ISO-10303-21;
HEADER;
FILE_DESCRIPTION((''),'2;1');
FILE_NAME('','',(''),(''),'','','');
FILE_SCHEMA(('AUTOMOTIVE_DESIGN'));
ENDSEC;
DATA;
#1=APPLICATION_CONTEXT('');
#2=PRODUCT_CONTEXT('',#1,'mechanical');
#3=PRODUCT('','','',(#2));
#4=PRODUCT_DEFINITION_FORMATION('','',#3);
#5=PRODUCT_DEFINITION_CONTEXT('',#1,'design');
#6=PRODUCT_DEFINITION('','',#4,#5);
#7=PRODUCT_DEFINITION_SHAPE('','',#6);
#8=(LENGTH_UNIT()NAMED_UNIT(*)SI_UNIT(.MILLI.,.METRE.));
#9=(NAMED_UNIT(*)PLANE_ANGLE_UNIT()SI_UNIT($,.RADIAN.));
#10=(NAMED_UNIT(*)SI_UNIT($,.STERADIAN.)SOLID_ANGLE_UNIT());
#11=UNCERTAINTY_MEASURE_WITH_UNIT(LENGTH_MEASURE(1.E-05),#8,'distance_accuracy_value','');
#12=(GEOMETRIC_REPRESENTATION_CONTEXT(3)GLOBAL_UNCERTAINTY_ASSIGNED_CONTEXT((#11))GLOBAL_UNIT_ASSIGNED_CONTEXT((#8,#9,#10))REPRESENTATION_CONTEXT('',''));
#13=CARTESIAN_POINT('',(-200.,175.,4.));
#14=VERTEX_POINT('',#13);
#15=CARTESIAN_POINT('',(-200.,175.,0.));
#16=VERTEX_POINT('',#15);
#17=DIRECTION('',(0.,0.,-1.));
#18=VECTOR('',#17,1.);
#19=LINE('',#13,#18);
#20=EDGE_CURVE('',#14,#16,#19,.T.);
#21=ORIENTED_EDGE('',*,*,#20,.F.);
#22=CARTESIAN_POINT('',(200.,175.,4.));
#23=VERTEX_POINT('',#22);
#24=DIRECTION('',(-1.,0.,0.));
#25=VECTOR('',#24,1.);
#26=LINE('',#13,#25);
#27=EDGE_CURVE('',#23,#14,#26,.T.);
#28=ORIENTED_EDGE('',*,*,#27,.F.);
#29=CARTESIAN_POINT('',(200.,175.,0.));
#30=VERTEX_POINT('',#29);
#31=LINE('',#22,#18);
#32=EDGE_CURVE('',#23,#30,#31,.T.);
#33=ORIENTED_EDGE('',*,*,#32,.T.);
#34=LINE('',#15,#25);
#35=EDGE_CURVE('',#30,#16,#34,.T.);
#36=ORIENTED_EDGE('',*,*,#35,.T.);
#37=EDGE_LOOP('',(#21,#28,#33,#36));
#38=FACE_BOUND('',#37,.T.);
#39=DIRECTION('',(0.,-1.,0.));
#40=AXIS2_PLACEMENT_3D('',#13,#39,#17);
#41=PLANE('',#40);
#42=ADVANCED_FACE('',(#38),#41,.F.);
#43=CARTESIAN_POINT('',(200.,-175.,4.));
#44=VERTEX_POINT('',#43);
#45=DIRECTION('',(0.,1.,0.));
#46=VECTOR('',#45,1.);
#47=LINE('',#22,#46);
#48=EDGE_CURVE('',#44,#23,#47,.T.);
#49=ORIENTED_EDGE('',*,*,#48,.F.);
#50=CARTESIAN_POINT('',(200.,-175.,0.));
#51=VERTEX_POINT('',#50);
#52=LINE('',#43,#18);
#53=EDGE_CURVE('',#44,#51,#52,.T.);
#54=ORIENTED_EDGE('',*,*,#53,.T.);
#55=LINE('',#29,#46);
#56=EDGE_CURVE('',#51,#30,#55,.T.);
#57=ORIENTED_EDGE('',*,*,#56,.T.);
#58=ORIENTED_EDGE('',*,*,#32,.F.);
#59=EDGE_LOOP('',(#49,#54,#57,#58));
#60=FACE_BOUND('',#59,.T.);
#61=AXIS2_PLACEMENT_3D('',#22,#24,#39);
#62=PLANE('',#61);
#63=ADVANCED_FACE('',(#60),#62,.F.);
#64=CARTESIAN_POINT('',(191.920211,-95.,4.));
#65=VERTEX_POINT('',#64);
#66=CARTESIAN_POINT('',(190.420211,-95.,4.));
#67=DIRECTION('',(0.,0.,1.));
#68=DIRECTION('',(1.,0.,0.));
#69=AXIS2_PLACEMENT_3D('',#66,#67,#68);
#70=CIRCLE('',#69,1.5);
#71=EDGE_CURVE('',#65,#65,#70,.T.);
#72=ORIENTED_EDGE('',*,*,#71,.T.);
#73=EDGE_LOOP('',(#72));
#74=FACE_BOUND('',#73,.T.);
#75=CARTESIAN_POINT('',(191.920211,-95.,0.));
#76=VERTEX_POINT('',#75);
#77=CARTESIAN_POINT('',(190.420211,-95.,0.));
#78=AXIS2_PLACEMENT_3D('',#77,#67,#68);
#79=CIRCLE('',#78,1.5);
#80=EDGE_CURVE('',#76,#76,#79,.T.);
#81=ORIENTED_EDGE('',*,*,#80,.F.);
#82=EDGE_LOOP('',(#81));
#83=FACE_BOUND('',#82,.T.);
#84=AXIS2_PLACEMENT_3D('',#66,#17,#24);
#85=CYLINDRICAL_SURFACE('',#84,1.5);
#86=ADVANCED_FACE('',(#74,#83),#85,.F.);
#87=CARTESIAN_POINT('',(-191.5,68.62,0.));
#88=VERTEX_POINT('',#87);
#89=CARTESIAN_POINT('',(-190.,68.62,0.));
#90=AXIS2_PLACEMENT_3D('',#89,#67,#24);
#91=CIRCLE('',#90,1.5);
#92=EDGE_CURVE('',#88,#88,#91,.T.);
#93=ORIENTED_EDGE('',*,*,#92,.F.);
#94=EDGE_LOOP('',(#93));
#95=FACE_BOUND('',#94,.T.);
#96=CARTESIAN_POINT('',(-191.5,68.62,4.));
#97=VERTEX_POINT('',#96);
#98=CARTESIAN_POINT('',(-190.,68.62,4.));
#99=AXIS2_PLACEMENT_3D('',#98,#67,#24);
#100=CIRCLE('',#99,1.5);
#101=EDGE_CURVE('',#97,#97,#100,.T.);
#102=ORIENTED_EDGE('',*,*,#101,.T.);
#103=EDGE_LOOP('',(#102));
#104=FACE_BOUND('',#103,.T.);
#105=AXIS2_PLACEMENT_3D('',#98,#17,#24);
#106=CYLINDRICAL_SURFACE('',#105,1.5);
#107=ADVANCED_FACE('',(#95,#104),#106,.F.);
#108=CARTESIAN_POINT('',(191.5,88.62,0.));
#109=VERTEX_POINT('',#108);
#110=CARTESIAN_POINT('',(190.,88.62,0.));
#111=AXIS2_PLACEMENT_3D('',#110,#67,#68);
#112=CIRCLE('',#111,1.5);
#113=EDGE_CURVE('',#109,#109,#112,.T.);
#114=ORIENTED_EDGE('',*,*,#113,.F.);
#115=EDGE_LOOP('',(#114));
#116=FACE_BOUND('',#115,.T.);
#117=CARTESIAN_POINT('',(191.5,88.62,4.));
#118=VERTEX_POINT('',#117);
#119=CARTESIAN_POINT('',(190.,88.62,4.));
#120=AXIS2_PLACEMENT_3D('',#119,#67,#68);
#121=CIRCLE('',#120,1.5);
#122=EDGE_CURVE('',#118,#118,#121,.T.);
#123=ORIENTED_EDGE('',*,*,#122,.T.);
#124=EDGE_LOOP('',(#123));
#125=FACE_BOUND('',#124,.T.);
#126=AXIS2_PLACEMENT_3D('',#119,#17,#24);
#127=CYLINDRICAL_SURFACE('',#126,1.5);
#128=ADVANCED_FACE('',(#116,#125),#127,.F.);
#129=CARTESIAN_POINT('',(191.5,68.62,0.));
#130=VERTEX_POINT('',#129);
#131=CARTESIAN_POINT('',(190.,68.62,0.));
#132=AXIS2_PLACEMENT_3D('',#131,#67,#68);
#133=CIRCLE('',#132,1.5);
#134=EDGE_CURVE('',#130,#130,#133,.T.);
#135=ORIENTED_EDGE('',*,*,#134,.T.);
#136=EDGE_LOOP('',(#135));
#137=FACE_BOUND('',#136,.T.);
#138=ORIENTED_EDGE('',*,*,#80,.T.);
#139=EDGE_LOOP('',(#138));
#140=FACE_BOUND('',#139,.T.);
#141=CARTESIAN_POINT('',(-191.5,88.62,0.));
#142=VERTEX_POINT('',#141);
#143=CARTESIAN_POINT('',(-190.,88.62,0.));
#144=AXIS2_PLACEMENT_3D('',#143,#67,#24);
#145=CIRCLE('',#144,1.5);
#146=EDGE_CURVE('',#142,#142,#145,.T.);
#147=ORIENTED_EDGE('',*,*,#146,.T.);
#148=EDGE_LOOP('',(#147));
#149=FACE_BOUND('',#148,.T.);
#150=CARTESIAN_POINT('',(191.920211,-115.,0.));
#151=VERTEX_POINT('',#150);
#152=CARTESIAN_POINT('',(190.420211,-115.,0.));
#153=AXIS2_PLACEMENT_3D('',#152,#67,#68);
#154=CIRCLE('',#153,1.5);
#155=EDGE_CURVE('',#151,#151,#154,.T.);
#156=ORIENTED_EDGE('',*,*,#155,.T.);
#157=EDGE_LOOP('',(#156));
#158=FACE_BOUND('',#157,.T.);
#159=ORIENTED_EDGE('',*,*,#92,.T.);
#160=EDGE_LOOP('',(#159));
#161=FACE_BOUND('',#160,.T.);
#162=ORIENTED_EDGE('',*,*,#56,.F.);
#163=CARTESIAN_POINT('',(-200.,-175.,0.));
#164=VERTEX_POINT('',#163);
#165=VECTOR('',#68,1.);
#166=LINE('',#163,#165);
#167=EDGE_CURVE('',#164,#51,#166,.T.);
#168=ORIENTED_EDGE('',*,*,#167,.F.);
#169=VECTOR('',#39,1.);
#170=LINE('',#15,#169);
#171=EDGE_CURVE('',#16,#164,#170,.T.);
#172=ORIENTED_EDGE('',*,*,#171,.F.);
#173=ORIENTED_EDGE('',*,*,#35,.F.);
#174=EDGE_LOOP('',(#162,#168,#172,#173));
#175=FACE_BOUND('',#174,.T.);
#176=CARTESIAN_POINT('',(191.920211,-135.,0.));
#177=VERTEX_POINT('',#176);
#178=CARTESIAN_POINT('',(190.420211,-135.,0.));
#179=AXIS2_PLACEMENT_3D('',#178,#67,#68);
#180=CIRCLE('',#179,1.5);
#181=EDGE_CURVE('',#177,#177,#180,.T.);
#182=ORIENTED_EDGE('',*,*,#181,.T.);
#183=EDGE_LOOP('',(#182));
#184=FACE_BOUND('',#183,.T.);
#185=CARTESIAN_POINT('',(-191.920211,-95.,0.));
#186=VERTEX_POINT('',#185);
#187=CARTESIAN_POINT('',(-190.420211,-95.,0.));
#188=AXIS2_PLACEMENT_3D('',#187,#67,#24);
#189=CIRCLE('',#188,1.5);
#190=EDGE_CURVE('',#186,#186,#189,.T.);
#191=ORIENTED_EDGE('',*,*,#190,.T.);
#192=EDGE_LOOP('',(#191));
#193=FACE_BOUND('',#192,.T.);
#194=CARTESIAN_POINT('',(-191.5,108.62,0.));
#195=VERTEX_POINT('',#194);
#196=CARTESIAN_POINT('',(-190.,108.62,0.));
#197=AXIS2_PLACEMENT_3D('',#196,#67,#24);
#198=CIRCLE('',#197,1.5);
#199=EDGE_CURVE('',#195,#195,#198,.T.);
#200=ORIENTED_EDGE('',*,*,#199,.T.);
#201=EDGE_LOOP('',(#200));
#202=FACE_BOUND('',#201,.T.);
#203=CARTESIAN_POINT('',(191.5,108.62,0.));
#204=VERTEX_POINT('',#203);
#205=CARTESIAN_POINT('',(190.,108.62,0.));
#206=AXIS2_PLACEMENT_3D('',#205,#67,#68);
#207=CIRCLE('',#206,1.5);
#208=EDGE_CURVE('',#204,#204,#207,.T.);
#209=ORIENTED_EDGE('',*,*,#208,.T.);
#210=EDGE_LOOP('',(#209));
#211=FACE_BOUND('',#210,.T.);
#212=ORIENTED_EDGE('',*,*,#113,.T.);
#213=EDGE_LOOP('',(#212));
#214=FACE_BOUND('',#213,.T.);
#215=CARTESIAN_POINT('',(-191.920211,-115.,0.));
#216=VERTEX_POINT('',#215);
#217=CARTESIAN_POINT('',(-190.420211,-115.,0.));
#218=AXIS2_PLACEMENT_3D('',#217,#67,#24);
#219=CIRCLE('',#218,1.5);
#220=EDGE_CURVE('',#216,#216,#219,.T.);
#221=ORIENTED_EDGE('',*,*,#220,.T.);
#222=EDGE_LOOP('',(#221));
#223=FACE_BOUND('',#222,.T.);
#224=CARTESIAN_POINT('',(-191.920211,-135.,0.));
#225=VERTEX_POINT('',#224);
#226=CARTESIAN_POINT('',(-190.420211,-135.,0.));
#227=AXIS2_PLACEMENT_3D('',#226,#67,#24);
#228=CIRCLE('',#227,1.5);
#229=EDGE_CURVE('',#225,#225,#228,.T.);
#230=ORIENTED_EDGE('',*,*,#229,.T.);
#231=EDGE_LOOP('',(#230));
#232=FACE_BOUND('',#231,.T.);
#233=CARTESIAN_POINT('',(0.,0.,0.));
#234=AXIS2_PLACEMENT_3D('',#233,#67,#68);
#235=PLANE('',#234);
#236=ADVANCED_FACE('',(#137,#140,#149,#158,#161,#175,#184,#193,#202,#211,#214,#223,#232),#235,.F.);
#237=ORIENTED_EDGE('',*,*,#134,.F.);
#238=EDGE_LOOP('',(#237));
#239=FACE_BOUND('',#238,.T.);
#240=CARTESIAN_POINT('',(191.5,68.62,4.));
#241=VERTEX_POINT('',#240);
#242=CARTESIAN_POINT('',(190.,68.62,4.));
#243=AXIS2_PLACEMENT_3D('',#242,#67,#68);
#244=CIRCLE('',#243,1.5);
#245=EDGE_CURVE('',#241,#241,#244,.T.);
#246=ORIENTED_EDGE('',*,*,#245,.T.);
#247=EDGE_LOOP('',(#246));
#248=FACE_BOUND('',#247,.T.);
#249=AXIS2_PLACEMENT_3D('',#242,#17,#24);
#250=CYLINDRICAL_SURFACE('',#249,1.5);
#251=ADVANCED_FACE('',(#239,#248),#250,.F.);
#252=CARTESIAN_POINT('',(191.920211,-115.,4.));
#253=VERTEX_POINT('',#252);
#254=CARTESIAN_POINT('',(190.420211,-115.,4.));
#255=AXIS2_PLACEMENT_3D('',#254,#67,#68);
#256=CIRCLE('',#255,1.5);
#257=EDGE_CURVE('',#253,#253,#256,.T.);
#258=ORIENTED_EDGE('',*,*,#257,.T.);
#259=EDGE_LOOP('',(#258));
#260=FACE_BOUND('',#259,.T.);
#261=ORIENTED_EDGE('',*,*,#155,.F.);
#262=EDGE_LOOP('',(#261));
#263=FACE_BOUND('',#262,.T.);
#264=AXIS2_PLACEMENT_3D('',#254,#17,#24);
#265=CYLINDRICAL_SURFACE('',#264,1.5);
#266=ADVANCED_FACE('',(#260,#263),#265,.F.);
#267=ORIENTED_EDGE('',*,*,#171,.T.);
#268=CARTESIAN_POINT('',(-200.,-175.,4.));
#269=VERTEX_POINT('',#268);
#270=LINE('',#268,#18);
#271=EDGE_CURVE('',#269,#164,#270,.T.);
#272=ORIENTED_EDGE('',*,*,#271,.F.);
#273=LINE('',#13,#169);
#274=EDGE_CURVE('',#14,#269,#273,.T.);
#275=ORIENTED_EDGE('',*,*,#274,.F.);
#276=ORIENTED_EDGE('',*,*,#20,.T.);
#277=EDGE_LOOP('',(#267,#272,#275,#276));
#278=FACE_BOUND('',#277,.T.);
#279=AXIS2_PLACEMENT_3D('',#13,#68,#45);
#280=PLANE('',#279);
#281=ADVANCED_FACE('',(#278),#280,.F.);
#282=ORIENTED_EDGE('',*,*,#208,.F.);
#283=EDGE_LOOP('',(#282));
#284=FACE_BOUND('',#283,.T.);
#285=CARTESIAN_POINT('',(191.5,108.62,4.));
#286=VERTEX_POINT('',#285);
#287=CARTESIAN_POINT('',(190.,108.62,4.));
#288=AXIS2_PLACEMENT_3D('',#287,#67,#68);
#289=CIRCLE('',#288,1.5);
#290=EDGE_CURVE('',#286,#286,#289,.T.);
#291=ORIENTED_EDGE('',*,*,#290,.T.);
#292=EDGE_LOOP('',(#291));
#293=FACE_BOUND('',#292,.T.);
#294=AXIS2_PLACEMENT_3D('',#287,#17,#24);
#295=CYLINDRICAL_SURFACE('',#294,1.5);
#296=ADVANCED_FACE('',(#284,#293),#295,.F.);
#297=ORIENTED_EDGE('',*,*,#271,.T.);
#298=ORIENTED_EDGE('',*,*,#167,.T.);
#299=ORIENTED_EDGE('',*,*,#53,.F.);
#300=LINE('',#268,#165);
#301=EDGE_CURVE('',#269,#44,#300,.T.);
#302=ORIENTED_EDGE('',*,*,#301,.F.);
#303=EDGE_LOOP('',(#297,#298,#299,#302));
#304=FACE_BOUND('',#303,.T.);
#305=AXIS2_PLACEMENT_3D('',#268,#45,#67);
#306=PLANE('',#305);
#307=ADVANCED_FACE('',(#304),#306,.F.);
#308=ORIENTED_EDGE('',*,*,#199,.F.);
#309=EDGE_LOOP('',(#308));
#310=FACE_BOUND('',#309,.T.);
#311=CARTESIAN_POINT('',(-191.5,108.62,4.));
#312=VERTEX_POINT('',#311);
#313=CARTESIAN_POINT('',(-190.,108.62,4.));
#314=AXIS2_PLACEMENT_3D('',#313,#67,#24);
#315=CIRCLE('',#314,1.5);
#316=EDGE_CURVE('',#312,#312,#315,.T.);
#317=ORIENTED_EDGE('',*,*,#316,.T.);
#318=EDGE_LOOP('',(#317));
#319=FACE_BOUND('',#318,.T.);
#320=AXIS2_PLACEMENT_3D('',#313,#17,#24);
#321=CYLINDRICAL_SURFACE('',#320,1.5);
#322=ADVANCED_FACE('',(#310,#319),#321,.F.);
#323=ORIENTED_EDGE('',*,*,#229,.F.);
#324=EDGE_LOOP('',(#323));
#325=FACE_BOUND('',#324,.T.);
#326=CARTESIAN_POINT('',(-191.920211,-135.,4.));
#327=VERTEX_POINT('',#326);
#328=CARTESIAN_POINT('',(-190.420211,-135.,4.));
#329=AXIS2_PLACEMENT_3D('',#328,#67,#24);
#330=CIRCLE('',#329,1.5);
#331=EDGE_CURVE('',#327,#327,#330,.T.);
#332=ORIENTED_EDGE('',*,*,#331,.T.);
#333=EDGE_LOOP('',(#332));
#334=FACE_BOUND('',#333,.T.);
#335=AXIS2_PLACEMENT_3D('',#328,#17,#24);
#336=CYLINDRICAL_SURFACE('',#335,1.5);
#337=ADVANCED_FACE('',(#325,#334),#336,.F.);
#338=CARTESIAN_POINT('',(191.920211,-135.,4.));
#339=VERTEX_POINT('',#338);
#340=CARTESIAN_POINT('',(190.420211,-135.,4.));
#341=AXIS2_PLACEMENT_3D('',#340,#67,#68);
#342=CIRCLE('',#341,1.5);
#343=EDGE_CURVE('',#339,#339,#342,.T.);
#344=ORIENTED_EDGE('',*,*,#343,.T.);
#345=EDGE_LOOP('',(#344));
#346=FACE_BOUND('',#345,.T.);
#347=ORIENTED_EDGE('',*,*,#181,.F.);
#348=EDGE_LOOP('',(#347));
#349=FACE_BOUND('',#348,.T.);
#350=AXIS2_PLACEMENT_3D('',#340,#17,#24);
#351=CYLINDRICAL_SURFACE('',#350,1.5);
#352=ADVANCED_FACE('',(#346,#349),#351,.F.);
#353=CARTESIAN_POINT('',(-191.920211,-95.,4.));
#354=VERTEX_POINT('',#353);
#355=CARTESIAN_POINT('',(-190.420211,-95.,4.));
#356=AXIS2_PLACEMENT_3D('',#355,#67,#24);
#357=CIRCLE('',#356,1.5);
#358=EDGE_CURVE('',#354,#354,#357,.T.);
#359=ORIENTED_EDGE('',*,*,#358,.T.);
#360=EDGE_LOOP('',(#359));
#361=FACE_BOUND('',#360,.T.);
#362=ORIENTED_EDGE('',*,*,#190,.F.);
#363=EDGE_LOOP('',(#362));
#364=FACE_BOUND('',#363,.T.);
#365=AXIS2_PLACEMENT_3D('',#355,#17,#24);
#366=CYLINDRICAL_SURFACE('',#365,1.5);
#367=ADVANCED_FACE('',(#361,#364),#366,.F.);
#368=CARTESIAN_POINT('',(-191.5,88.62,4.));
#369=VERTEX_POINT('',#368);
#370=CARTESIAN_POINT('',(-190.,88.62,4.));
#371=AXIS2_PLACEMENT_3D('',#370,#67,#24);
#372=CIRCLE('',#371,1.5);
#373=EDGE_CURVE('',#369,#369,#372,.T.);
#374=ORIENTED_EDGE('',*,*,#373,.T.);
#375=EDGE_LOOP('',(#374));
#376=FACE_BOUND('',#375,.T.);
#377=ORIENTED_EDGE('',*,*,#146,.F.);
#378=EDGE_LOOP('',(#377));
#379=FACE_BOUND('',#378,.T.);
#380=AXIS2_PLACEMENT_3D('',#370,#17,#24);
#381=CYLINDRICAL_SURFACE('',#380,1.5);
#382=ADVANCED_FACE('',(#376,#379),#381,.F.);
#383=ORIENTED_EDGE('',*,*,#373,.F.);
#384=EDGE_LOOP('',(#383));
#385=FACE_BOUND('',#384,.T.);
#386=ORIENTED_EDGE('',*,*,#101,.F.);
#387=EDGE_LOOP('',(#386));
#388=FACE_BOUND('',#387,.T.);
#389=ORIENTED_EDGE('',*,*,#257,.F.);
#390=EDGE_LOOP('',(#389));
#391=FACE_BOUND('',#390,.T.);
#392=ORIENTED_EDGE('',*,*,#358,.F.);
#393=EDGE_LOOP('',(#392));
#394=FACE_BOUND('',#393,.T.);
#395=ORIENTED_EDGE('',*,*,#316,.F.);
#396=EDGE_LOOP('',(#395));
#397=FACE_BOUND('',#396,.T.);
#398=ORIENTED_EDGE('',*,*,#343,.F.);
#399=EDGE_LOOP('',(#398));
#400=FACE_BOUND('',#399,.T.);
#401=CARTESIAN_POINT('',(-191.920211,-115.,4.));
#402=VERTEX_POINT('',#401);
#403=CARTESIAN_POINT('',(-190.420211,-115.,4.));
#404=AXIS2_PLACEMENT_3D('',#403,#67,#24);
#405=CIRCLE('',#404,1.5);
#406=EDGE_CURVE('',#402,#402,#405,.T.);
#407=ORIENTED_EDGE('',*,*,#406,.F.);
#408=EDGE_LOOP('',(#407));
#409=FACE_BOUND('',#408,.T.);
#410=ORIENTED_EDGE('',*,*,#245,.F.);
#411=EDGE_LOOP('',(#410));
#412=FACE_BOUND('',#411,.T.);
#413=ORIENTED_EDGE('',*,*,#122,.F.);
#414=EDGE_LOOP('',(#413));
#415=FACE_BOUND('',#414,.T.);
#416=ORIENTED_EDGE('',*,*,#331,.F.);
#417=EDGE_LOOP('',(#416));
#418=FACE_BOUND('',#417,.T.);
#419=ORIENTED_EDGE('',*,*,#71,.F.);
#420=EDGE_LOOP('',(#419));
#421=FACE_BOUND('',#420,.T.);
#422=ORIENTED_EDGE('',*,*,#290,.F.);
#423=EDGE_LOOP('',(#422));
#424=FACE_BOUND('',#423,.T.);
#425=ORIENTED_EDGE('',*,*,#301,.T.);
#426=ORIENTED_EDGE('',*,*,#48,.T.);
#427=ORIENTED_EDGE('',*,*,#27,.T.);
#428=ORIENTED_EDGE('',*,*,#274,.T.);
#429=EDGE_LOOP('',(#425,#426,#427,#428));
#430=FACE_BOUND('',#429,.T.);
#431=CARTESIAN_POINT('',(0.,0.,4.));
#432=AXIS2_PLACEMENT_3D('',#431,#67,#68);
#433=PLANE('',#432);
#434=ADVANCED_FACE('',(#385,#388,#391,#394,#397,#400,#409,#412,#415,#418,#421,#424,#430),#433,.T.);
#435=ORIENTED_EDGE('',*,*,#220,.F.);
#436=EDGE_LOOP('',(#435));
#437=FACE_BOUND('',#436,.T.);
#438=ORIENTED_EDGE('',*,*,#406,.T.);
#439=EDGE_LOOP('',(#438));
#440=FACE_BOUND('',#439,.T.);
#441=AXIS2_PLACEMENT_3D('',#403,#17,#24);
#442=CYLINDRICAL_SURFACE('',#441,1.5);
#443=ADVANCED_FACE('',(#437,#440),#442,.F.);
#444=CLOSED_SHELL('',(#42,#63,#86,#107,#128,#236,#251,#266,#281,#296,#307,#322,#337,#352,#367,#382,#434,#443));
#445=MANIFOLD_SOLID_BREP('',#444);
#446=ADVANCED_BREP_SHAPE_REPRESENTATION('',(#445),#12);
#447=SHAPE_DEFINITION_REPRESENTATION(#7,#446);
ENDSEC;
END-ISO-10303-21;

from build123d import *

# Parameters (mm, degrees)
SKETCH1_W           = 400
SKETCH1_H           = 350
SKETCH1_R           = 1.5
BOSS_EXTRUDE1_DEPTH = 4


with BuildPart() as part:
    # Sketch1 → Boss-Extrude1 (new body)
    with BuildSketch(Plane.XY):
        Rectangle(SKETCH1_W, SKETCH1_H)
        with Locations((190.420210886, -135)):
            Circle(SKETCH1_R, mode=Mode.SUBTRACT)
        with Locations((190.420210886, -115)):
            Circle(SKETCH1_R, mode=Mode.SUBTRACT)
        with Locations((190.420210886, -95)):
            Circle(SKETCH1_R, mode=Mode.SUBTRACT)
        with Locations((190, 68.62)):
            Circle(SKETCH1_R, mode=Mode.SUBTRACT)
        with Locations((190, 88.62)):
            Circle(SKETCH1_R, mode=Mode.SUBTRACT)
        with Locations((190, 108.62)):
            Circle(SKETCH1_R, mode=Mode.SUBTRACT)
        with Locations(Location((-190.420210886, -135, 0), (0, 0, 180))):
            Circle(SKETCH1_R, mode=Mode.SUBTRACT)
        with Locations(Location((-190.420210886, -95, 0), (0, 0, 180))):
            Circle(SKETCH1_R, mode=Mode.SUBTRACT)
        with Locations(Location((-190.420210886, -115, 0), (0, 0, 180))):
            Circle(SKETCH1_R, mode=Mode.SUBTRACT)
        with Locations(Location((-190, 68.62, 0), (0, 0, 180))):
            Circle(SKETCH1_R, mode=Mode.SUBTRACT)
        with Locations(Location((-190, 88.62, 0), (0, 0, 180))):
            Circle(SKETCH1_R, mode=Mode.SUBTRACT)
        with Locations(Location((-190, 108.62, 0), (0, 0, 180))):
            Circle(SKETCH1_R, mode=Mode.SUBTRACT)
    extrude(amount=BOSS_EXTRUDE1_DEPTH)


solid = part.part
